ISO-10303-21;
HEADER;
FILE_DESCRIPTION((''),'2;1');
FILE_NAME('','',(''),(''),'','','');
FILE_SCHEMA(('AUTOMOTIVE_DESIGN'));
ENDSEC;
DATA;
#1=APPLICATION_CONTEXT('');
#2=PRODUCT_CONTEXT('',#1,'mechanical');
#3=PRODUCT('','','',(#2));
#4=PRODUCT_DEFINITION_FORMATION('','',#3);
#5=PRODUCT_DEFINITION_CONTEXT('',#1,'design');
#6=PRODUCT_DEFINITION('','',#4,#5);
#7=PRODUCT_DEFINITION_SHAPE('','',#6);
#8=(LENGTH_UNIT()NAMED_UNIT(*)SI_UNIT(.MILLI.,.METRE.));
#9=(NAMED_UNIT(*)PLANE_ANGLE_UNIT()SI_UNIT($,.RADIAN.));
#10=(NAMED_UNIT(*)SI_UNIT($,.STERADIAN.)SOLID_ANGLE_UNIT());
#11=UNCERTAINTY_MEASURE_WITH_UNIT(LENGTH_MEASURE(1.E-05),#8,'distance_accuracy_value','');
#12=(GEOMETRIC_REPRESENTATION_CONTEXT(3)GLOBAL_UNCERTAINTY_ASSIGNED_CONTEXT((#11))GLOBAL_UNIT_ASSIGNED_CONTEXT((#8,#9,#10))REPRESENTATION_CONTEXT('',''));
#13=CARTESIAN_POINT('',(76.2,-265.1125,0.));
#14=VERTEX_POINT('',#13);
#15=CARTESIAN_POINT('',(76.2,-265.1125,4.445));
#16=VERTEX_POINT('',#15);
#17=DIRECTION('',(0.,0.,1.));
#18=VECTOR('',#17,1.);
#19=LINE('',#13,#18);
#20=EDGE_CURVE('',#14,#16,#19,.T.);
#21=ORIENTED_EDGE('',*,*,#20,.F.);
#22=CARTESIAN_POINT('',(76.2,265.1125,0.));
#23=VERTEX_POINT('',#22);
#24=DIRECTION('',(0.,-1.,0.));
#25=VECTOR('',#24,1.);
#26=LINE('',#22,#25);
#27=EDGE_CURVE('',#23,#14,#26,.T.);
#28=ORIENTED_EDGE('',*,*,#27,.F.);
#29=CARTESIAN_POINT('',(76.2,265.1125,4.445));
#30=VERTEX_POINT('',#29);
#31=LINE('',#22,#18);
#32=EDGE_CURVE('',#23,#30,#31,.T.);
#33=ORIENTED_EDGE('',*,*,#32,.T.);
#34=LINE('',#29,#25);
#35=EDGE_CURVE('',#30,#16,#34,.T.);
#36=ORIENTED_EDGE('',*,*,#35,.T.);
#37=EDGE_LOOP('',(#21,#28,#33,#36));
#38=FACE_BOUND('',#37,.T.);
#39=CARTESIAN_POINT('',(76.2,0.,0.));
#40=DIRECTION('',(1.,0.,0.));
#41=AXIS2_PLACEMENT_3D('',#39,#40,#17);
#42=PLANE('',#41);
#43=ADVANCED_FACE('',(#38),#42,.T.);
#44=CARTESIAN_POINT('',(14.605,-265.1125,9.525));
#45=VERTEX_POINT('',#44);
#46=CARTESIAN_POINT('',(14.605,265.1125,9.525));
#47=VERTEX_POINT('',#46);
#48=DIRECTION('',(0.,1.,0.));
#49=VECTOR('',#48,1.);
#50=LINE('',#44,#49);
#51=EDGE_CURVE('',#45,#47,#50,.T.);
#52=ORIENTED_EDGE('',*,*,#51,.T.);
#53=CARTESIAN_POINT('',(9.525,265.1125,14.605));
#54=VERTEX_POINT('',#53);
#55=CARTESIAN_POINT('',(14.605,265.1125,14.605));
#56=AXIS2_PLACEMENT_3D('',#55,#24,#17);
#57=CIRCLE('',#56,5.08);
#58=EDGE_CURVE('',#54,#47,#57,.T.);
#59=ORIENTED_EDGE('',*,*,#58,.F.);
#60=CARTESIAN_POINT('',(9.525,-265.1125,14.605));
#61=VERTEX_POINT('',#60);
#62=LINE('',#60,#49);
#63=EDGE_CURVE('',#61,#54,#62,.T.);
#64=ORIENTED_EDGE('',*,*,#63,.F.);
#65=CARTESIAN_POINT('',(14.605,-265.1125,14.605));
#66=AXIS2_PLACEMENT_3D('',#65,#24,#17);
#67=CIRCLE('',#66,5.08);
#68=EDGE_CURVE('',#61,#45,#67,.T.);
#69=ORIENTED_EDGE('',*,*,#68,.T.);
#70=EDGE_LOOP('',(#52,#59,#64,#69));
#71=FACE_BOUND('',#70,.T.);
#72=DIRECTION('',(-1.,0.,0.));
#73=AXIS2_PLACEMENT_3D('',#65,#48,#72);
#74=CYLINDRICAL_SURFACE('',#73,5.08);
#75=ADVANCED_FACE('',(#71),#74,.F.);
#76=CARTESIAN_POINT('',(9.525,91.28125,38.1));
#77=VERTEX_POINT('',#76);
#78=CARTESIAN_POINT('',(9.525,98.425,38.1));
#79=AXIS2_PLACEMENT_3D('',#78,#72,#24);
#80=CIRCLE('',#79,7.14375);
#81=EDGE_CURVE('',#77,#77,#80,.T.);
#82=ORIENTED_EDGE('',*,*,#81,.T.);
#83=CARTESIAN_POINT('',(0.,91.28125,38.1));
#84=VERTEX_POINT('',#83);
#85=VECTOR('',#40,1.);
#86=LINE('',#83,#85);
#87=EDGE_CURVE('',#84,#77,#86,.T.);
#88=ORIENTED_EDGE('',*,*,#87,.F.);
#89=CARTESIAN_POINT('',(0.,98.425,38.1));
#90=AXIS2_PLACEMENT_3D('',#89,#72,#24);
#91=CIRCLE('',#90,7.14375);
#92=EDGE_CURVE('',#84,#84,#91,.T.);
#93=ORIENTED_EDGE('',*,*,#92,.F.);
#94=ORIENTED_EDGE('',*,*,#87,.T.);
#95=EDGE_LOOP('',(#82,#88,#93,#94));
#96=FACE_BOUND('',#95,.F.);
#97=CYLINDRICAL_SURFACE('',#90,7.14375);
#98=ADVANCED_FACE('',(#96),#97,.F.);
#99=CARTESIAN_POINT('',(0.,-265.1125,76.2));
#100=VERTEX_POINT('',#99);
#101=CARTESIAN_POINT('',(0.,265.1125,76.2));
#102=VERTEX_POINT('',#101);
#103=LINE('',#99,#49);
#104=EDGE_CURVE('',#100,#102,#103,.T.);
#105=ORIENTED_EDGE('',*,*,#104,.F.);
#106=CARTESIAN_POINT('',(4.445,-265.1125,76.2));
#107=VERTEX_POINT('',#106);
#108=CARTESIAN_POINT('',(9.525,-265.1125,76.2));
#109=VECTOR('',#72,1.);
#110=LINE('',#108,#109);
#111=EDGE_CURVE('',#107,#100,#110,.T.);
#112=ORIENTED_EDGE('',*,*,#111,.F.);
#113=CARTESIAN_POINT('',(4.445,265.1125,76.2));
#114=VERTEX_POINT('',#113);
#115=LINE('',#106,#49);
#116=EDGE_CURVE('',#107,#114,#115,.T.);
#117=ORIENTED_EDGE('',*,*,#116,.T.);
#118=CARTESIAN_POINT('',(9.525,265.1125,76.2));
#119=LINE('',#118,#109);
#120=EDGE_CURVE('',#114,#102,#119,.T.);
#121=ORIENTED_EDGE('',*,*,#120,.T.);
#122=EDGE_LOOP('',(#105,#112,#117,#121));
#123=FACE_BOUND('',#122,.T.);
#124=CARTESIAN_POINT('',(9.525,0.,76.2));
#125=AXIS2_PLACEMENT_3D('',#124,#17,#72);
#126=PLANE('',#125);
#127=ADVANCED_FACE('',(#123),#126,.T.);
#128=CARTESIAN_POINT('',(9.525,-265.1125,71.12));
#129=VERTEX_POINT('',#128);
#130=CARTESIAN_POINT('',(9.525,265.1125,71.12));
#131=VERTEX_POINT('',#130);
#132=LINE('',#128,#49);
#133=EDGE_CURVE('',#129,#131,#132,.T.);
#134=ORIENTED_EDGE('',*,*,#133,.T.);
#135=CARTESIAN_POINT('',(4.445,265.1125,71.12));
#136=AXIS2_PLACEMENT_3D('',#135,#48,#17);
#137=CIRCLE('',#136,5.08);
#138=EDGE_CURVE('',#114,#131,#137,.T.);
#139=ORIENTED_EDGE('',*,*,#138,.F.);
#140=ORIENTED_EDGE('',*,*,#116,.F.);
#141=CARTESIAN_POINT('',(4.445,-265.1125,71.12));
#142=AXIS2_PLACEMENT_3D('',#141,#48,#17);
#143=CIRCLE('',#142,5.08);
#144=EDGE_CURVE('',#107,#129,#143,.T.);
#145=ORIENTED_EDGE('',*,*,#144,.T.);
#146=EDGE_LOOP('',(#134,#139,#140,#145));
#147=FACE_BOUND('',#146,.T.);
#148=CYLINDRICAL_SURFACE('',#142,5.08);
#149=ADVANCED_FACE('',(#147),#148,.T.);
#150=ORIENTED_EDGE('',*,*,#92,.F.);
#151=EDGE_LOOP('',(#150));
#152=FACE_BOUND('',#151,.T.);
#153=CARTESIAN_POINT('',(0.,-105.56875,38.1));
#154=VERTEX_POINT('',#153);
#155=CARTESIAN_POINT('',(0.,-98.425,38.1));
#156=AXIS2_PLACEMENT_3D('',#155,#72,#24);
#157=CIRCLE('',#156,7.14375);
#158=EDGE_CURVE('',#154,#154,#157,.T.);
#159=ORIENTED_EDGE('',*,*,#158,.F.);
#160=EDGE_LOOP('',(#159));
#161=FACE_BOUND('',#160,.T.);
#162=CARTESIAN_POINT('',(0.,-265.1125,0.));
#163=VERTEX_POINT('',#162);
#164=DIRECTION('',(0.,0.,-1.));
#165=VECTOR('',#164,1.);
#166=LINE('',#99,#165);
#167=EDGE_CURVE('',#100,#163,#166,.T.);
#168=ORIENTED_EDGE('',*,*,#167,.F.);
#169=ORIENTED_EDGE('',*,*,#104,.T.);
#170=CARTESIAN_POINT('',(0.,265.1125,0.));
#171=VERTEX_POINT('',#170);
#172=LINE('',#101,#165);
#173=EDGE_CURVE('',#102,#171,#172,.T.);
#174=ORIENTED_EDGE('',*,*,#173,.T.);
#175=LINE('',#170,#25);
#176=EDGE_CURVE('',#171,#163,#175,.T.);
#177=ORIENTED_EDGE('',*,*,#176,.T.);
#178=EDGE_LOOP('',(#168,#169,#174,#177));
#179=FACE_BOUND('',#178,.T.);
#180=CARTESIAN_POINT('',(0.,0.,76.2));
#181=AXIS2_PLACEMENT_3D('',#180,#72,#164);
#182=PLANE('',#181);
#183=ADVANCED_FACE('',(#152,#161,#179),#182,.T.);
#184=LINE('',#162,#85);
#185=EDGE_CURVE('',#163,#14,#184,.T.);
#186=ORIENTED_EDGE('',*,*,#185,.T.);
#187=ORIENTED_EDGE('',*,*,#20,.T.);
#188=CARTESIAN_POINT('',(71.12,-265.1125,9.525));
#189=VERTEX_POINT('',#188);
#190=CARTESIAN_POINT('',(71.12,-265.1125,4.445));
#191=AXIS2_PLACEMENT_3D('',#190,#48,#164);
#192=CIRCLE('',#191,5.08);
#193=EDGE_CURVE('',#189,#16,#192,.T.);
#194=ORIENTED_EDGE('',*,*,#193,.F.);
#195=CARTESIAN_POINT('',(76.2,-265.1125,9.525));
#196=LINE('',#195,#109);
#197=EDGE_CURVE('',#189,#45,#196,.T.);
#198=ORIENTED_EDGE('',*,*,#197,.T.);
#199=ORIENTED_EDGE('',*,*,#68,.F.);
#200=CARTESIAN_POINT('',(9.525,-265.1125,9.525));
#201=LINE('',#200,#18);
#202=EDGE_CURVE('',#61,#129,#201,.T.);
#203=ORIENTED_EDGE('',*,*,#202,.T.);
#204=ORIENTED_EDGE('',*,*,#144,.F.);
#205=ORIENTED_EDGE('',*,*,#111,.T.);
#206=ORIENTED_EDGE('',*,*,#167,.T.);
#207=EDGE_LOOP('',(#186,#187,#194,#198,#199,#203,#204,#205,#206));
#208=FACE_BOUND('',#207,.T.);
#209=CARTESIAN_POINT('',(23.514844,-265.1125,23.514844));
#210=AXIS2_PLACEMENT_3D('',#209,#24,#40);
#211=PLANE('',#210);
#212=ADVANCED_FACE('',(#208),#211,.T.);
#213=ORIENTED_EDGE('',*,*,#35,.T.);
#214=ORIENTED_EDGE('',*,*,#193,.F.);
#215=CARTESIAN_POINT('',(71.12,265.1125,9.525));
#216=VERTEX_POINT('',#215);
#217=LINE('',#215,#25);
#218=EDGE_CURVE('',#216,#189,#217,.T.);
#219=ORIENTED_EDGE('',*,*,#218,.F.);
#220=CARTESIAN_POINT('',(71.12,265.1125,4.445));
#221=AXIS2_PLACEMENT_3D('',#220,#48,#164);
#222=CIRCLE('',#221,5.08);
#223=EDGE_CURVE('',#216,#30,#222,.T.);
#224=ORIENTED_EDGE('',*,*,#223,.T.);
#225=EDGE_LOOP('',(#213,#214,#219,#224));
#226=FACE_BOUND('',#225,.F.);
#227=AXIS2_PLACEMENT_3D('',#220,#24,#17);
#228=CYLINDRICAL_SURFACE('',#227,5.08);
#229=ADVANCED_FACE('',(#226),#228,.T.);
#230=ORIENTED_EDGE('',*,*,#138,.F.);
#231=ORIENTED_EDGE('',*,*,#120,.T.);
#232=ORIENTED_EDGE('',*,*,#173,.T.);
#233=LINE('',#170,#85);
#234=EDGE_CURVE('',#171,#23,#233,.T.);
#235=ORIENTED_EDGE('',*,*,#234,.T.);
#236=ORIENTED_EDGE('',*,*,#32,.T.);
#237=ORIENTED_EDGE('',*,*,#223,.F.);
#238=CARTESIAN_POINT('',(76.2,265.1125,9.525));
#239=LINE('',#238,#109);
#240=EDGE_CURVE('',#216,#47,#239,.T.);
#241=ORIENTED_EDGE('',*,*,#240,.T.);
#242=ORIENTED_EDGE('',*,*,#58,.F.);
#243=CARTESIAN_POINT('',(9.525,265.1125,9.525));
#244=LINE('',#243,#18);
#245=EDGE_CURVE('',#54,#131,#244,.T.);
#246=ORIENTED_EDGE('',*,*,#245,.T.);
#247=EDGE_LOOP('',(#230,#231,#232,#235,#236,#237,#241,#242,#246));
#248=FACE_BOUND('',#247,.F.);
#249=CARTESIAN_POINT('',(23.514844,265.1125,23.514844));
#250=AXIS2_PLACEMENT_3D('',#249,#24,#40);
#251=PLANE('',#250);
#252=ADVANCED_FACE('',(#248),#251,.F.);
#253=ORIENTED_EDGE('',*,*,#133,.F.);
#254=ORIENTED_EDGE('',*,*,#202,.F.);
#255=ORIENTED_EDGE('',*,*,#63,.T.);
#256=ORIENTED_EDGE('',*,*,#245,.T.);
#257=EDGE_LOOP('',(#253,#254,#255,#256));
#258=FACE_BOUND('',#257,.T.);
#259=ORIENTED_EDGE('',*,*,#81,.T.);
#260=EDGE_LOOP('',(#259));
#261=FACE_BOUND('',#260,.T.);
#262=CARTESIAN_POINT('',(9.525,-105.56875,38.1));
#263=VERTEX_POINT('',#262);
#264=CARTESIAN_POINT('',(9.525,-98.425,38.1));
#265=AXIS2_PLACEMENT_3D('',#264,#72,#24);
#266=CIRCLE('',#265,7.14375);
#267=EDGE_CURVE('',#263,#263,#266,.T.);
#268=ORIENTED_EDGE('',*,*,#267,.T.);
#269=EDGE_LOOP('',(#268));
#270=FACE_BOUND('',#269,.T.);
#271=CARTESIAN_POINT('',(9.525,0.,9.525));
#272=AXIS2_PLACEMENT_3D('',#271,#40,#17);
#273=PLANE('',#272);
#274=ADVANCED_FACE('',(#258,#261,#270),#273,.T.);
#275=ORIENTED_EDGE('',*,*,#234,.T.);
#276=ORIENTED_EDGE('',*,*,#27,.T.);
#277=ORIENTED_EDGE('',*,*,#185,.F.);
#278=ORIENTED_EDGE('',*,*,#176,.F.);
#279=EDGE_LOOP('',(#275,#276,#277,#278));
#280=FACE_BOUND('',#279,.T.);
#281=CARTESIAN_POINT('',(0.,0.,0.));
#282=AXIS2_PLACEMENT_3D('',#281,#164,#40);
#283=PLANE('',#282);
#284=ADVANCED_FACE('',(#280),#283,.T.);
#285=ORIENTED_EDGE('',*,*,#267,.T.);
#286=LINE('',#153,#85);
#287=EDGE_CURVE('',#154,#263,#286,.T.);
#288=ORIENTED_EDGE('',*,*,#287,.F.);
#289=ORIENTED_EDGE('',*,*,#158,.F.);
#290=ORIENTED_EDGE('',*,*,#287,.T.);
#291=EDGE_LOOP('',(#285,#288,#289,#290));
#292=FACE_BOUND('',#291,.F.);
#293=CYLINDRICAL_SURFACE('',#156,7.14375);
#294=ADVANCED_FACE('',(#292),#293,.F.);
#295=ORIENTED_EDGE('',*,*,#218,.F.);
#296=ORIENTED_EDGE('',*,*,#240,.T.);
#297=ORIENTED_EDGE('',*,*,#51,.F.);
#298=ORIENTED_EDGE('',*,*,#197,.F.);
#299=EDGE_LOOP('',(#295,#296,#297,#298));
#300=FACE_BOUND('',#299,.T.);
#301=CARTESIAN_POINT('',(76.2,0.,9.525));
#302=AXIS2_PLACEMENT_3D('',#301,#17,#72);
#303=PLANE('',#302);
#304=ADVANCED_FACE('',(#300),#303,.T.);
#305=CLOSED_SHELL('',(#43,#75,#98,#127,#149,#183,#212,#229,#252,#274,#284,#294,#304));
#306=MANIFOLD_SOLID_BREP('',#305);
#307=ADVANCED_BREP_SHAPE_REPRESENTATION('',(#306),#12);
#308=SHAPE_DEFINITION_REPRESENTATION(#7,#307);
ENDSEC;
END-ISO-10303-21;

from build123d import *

# Parameters (mm, degrees)
F1_DEPTH = 265.1125
F2_R     = 5.08
F3_R     = 7.14375
F4_DEPTH = 25.4


with BuildPart() as f1:
    # F0 (on Front) → F1 (new body, symmetric)
    with BuildSketch(Plane.XZ):
        Polygon((0, 76.2), (0, 0), (76.2, 0), (76.2, 9.525), (9.525, 9.525), (9.525, 76.2), align=None)
    extrude(amount=F1_DEPTH, both=True)

    # F2
    f2_edges = [f1.edges().sort_by_distance(p)[0] for p in [
        (9.525, 0, 76.2),
        (9.525, 0, 9.525),
        (76.2, 0, 9.525),
    ]]
    fillet(f2_edges, radius=F2_R)

    # F3 (on face) → F4 (cut)
    with BuildSketch(Plane(origin=(0, 0, 0), x_dir=(0, -1, 0), z_dir=(-1, 0, 0))):
        with Locations((-98.425, 38.1)):
            Circle(F3_R)
        with Locations((98.425, 38.1)):
            Circle(F3_R)
    extrude(amount=-F4_DEPTH, mode=Mode.SUBTRACT)


solid = f1.part
